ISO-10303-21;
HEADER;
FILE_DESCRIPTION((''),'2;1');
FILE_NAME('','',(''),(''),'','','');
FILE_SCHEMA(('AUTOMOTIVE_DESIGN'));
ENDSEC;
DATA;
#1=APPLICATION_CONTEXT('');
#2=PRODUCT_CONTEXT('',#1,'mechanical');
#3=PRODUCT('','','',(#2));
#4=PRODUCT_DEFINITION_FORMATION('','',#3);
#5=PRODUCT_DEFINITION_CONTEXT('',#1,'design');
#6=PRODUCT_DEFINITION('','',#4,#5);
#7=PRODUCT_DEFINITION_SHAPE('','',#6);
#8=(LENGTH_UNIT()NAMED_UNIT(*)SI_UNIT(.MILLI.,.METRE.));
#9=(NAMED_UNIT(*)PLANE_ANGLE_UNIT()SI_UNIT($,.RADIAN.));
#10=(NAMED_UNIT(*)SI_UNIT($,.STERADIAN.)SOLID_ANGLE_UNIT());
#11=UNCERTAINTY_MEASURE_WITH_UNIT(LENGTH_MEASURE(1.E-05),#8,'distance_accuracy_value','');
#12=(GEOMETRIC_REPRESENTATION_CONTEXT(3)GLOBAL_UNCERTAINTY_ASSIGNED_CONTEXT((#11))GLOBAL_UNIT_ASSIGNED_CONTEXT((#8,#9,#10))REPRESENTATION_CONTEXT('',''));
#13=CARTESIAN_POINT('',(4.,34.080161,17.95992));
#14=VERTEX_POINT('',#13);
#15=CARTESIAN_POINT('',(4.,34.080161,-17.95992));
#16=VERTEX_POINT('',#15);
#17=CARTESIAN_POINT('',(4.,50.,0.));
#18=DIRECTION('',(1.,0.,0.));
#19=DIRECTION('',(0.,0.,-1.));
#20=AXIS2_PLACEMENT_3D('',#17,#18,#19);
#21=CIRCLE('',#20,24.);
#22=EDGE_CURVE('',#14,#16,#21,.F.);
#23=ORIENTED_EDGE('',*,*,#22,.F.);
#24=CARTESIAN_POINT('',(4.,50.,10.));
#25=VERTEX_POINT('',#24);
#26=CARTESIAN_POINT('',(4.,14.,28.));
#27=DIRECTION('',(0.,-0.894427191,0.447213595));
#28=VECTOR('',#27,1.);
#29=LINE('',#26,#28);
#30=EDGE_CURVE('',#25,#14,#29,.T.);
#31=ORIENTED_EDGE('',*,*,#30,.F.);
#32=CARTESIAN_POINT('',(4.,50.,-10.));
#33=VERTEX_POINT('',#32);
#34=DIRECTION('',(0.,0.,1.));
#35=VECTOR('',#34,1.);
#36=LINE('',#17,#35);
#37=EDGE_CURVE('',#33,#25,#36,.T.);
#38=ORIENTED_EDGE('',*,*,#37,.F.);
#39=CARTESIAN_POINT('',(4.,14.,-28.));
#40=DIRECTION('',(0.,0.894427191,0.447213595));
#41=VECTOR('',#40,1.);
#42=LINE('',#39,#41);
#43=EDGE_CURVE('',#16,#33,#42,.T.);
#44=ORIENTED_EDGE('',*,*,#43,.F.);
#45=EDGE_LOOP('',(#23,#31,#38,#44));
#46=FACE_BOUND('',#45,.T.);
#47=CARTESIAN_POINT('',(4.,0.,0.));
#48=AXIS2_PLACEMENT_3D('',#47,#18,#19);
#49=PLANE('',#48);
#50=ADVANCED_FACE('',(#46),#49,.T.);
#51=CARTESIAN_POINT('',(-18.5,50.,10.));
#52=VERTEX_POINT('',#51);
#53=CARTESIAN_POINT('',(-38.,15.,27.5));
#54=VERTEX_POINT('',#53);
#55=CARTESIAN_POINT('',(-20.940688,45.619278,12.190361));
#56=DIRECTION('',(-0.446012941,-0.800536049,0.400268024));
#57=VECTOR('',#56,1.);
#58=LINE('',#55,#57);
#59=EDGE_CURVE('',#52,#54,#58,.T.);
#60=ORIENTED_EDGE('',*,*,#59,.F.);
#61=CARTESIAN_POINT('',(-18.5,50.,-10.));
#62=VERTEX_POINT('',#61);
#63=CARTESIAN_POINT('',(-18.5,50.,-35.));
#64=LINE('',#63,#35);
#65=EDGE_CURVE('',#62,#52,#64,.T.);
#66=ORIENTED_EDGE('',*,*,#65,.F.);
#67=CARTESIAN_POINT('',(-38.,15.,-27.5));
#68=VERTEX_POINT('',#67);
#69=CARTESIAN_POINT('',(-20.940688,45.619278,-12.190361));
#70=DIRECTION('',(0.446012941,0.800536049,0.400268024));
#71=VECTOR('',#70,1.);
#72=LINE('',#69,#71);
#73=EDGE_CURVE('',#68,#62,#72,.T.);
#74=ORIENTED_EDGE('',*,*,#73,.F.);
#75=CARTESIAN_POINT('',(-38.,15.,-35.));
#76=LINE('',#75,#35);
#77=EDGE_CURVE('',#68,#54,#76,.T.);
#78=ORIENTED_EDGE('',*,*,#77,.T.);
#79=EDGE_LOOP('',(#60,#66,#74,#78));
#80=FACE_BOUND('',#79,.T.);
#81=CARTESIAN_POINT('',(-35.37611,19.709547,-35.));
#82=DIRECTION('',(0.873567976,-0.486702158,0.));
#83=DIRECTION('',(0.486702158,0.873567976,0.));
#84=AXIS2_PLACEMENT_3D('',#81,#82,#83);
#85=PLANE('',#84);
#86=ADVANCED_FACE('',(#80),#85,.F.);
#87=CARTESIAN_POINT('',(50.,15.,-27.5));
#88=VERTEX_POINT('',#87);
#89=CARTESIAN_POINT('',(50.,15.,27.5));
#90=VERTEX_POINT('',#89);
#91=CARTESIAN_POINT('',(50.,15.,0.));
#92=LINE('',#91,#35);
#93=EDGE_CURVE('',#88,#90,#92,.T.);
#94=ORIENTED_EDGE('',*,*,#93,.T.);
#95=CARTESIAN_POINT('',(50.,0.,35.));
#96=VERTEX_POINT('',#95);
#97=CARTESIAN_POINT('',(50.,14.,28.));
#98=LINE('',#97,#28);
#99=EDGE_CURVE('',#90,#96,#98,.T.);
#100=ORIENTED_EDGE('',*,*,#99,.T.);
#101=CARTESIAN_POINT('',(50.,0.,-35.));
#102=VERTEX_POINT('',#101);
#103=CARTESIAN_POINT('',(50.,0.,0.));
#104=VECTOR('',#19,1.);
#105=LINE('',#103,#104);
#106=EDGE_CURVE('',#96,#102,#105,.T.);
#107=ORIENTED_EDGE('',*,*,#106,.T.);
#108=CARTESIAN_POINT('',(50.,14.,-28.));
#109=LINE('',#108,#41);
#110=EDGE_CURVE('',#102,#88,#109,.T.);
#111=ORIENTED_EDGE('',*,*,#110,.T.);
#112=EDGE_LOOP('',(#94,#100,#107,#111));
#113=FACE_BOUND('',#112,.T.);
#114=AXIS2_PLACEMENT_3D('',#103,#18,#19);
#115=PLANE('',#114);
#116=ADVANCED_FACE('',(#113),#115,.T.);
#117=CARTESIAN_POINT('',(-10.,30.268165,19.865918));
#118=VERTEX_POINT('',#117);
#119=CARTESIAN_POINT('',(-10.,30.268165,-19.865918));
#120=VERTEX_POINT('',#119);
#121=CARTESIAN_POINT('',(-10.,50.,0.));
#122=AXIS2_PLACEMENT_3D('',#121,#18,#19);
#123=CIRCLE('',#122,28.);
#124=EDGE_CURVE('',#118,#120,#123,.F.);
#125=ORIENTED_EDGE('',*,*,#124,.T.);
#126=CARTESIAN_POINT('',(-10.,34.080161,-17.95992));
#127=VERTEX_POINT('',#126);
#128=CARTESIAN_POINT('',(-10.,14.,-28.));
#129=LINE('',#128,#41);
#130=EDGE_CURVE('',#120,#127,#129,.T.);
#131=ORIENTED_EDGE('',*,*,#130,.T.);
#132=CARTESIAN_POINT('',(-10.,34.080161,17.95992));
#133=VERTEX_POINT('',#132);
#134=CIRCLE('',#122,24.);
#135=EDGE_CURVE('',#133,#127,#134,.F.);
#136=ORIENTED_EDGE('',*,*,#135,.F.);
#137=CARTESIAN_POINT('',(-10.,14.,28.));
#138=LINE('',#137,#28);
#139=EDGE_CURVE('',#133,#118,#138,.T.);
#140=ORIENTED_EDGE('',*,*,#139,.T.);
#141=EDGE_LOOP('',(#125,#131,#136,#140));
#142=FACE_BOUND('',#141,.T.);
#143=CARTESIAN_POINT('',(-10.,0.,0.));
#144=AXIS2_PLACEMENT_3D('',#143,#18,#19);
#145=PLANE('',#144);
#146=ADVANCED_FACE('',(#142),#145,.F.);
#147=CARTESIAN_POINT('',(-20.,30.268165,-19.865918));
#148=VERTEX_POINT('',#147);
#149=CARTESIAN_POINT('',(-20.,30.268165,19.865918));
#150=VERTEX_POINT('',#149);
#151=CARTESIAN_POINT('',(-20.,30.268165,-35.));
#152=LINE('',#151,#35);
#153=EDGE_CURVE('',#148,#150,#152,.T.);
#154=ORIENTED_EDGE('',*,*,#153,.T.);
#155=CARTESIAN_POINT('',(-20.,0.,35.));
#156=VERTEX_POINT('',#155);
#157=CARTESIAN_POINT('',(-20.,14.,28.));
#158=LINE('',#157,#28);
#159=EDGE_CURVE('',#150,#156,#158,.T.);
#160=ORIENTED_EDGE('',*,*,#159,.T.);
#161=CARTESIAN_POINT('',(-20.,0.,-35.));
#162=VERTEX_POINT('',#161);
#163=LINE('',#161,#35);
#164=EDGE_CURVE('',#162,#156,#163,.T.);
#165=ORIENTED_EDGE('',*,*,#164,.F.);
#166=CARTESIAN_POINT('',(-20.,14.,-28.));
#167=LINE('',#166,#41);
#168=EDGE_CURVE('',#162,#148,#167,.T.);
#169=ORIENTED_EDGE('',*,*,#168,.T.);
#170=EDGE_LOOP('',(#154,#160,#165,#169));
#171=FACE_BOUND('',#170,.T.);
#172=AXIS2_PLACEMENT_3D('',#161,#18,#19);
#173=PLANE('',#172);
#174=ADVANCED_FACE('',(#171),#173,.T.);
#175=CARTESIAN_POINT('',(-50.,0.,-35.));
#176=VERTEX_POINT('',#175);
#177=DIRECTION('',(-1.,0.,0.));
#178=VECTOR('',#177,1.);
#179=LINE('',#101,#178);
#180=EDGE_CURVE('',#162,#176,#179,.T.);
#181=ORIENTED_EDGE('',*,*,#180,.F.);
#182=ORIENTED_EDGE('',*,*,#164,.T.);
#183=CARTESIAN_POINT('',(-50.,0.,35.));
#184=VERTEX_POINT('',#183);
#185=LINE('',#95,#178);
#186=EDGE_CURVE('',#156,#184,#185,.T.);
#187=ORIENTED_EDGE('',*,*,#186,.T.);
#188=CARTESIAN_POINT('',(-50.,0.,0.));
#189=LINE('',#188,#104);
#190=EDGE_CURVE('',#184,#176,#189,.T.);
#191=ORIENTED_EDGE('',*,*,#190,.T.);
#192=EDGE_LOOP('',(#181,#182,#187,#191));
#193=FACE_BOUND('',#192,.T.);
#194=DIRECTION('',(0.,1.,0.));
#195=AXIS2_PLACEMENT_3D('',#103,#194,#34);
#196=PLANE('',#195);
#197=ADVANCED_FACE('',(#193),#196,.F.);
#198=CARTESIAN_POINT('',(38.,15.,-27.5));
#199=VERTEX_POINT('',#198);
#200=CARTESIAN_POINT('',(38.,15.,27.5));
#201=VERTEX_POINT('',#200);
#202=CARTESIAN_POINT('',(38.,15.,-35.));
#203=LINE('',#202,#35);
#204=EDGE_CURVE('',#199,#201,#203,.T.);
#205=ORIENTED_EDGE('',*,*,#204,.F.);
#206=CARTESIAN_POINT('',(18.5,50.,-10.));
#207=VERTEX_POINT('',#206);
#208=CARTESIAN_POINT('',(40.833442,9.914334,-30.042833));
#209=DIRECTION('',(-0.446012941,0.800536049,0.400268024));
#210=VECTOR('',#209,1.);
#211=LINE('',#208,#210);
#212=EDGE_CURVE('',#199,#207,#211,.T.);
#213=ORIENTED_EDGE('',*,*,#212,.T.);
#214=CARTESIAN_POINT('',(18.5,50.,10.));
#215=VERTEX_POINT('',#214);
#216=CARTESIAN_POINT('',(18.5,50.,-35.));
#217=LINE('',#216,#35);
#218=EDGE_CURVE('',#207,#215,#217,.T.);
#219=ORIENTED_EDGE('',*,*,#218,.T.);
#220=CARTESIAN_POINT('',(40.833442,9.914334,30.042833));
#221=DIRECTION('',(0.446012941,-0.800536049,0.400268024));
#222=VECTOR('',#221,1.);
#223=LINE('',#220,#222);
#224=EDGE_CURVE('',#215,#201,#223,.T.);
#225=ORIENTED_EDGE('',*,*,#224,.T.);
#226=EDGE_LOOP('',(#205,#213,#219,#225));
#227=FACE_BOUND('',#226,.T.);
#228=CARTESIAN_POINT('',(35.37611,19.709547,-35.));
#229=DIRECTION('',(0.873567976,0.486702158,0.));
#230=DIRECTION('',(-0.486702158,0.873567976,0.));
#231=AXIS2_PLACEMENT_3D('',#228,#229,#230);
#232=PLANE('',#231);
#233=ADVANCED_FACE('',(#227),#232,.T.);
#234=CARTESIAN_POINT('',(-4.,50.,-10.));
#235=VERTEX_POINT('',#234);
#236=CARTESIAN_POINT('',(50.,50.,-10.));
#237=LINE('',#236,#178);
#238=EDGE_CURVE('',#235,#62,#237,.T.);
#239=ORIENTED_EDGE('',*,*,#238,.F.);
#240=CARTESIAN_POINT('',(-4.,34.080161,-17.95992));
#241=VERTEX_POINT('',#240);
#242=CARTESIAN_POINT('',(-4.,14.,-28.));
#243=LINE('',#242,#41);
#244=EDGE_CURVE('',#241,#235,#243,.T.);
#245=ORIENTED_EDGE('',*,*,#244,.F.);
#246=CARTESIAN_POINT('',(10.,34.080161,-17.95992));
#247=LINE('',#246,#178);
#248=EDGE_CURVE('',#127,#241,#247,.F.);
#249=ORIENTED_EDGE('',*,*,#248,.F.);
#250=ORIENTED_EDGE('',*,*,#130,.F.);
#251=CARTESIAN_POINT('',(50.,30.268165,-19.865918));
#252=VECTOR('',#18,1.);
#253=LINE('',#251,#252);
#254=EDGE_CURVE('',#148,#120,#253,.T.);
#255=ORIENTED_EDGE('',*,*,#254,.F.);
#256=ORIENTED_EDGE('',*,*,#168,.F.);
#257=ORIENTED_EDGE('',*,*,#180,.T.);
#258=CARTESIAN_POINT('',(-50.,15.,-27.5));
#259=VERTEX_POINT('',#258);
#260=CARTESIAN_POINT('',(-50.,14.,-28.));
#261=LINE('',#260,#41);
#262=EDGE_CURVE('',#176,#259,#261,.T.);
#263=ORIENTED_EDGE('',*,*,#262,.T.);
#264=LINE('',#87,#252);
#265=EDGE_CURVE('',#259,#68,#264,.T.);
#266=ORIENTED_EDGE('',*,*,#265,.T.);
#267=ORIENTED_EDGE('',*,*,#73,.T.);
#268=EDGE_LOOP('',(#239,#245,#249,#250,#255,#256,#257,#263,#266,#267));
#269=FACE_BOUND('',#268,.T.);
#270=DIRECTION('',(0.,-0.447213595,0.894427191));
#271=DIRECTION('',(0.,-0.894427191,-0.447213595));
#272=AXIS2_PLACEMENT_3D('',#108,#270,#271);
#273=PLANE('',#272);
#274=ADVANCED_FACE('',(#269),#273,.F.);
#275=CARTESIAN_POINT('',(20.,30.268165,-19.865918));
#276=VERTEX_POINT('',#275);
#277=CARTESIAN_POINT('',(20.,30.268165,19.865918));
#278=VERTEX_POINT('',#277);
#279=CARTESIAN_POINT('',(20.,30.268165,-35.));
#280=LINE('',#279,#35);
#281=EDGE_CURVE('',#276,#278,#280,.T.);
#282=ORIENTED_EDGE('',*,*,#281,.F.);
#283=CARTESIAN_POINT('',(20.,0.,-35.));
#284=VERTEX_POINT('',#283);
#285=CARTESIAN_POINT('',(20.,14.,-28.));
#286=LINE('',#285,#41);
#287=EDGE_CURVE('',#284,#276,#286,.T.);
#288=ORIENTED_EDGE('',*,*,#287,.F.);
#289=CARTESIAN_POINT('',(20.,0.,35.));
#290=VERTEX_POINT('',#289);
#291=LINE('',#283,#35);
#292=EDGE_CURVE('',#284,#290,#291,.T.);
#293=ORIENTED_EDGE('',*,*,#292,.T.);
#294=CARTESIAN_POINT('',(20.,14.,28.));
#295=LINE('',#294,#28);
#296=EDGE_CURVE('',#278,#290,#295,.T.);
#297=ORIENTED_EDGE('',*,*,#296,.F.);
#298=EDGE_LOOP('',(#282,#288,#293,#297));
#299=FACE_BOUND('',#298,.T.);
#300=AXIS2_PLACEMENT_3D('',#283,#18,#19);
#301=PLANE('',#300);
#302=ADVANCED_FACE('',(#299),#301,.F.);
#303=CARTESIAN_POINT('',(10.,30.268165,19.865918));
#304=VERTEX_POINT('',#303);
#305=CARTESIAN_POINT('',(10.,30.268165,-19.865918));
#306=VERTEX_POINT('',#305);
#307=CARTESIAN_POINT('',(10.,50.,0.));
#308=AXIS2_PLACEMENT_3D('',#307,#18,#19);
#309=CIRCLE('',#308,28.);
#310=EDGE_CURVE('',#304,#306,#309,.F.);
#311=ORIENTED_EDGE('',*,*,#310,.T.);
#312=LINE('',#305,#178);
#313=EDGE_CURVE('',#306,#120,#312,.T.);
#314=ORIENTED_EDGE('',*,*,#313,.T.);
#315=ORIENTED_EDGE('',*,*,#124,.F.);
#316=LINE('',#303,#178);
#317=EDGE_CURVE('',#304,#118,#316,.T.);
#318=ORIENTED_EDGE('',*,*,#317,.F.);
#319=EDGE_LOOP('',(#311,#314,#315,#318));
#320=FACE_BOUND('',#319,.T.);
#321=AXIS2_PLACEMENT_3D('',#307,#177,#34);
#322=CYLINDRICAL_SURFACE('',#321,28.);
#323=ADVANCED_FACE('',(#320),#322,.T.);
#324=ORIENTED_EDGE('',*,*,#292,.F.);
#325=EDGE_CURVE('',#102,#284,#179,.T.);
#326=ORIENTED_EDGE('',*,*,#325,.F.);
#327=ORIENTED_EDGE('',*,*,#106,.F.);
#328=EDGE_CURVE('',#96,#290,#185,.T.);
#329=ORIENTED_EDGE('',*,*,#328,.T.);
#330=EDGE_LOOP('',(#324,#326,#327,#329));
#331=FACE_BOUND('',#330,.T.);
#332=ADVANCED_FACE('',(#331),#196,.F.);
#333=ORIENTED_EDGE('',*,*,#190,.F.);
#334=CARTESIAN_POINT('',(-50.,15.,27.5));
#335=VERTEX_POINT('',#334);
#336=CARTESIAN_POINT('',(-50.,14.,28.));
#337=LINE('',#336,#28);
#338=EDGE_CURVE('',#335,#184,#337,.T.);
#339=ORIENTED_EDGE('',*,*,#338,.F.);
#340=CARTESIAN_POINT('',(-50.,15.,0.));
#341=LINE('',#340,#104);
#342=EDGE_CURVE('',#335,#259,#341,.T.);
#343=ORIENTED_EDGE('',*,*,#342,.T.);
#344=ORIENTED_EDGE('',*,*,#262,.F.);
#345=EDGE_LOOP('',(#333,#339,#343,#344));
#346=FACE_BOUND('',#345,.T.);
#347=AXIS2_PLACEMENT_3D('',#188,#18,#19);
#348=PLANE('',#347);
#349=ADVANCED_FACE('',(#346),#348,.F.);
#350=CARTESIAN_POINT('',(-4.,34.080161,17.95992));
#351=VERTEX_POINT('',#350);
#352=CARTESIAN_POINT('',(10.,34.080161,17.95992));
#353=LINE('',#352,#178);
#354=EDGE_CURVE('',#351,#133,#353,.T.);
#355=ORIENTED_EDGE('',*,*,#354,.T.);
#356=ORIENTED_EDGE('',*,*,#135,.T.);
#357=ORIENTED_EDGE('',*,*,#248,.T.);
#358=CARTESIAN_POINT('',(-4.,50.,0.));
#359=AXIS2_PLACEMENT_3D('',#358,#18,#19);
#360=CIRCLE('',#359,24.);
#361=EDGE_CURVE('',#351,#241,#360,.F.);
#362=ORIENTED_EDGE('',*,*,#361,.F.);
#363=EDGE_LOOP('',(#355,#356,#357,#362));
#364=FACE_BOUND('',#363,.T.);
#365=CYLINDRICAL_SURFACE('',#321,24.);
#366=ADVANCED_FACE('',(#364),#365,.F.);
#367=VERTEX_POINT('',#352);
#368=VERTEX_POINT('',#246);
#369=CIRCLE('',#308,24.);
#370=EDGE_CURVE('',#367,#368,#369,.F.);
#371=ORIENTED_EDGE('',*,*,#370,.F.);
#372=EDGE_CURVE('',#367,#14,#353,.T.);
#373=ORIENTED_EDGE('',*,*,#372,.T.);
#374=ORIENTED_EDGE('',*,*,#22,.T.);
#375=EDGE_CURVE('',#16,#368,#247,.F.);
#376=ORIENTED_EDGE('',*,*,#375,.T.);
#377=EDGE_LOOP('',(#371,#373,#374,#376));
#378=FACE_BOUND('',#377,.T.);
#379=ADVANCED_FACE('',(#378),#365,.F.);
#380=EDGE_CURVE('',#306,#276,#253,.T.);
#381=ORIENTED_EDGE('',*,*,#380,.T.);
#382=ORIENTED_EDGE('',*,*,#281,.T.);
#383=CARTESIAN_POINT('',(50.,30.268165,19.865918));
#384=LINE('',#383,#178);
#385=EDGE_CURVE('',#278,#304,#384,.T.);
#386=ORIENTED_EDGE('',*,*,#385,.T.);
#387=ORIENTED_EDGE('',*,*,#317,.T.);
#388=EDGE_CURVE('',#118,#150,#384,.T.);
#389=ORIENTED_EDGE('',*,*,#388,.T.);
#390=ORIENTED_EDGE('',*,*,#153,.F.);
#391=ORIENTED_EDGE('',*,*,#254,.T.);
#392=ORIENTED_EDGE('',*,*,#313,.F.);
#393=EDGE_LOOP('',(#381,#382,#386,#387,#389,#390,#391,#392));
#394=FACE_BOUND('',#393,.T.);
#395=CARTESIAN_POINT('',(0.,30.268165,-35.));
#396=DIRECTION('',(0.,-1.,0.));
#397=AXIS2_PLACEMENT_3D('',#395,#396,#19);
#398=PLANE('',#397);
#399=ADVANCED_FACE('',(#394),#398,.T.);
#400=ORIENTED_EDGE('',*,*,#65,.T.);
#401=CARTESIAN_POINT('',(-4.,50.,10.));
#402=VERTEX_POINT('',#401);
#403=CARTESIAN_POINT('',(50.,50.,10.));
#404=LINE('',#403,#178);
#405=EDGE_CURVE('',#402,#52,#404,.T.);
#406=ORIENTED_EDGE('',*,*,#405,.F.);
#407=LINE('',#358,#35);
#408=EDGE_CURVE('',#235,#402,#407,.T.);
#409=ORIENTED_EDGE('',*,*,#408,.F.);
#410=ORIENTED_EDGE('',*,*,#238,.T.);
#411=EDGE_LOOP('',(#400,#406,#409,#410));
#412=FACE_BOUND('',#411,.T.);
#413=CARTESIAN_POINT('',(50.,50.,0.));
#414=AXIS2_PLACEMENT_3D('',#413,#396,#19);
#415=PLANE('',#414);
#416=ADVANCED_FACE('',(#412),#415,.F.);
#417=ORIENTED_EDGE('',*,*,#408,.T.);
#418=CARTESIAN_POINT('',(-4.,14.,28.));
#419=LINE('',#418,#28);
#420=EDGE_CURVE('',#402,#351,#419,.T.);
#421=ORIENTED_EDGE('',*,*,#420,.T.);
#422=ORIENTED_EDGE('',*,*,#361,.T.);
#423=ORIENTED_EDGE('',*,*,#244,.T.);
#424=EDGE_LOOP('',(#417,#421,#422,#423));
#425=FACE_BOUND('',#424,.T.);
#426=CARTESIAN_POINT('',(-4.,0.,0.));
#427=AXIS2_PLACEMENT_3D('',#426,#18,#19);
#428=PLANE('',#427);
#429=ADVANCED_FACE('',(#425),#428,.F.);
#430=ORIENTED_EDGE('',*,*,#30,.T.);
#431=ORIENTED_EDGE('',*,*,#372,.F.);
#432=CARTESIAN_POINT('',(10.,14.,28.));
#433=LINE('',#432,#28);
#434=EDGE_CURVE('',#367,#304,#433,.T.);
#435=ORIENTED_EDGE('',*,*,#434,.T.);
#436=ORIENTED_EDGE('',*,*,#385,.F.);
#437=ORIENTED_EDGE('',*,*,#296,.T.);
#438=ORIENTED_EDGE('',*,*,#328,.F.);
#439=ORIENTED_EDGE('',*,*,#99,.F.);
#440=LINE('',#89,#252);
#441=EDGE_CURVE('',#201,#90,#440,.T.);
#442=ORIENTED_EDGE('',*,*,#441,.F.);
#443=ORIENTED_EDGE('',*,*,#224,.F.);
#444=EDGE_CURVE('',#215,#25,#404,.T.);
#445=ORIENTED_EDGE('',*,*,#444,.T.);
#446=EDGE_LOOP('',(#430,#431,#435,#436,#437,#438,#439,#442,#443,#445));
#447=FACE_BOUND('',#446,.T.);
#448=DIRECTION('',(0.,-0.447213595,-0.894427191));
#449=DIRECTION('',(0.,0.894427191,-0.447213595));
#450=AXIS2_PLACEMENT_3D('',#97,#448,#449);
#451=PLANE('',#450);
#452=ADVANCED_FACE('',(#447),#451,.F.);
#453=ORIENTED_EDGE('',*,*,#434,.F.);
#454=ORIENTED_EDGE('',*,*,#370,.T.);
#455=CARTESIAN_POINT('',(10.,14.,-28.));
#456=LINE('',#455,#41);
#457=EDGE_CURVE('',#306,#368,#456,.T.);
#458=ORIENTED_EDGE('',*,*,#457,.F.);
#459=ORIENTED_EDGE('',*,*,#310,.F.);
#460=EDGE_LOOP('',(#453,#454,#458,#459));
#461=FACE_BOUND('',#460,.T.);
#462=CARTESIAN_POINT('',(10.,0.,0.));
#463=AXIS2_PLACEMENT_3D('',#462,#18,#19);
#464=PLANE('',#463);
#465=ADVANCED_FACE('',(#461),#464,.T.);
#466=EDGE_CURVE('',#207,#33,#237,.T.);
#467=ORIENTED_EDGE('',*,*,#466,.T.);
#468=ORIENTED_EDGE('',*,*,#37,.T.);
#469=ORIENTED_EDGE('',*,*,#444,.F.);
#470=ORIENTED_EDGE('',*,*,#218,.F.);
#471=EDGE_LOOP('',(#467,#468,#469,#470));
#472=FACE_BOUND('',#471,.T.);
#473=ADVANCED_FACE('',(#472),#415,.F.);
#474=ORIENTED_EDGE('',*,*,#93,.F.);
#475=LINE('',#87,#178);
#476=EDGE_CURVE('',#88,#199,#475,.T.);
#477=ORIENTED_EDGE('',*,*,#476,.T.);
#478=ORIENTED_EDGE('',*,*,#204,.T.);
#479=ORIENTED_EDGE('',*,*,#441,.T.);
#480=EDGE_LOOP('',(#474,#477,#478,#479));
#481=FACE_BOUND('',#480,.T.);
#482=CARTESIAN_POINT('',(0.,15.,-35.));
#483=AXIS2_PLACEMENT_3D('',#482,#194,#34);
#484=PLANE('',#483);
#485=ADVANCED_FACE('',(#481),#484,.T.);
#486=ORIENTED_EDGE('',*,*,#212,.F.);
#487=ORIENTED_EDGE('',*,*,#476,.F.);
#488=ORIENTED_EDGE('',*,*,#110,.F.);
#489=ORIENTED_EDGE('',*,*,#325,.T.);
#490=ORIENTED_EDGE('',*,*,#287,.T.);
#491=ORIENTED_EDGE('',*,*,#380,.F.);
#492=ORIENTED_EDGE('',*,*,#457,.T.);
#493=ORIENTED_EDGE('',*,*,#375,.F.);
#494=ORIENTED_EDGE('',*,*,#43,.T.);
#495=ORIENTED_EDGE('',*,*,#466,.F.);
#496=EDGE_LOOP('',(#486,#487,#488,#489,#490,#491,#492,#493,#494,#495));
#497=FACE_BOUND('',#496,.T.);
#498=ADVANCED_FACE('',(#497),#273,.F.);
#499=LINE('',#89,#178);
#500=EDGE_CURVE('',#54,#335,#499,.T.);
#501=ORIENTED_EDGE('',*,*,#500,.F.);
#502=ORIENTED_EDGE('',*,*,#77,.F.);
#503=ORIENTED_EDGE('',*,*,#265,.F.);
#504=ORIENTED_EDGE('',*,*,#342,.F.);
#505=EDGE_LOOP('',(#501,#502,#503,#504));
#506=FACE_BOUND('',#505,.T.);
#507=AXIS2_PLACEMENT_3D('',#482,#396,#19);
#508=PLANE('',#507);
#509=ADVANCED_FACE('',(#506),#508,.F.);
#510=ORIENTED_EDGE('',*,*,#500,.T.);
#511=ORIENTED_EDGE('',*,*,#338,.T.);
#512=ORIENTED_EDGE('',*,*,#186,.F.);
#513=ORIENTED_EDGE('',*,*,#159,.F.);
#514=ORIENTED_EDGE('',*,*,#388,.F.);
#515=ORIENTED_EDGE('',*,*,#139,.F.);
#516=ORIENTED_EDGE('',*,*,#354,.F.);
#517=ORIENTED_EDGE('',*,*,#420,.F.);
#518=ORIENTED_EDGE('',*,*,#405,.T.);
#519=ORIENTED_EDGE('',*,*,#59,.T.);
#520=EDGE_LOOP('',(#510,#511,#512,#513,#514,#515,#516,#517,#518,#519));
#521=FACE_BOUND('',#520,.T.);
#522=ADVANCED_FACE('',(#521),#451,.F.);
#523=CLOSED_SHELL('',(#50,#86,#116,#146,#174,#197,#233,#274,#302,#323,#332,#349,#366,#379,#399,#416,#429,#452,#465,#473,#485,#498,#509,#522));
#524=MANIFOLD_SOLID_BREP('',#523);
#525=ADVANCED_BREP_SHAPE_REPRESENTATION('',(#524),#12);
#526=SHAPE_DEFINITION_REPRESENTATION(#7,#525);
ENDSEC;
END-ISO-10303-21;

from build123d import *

# Parameters (mm, degrees)
BOSS_EXTRUDE1_DEPTH     = 50
BOSS_EXTRUDE2_DEPTH     = 10
BOSS_EXTRUDE3_DEPTH     = 4
SKETCH3_W               = 40
SKETCH3_H               = 30.268164841
CUT_EXTRUDE1_DEPTH      = 36
CUT_EXTRUDE1_DEPTH_BACK = 36


with BuildPart() as part:
    # Sketch2 → Boss-Extrude1 (new body, symmetric)
    with BuildSketch(Plane(origin=(0, 0, 0), x_dir=(0, 0, -1), z_dir=(1, 0, 0))):
        Polygon((-35, 0), (35, 0), (10, 50), (-10, 50), align=None)
    extrude(amount=BOSS_EXTRUDE1_DEPTH, both=True)

    # Sketch2<5> → Boss-Extrude2 (add, symmetric)
    with BuildSketch(Plane(origin=(0, 0, 0), x_dir=(0, 0, -1), z_dir=(1, 0, 0))):
        with BuildLine():
            ThreePointArc((19.865917579, 30.268164841), (0, 78), (-19.865917579, 30.268164841))
            Line((-19.865917579, 30.268164841), (-17.959919678, 34.080160643))
            ThreePointArc((-17.959919678, 34.080160643), (0, 74), (17.959919678, 34.080160643))
            Line((17.959919678, 34.080160643), (19.865917579, 30.268164841))
        make_face()
    extrude(amount=BOSS_EXTRUDE2_DEPTH, both=True)

    # Sketch2<6> → Boss-Extrude3 (add, symmetric)
    with BuildSketch(Plane(origin=(0, 0, 0), x_dir=(0, 0, -1), z_dir=(1, 0, 0))):
        Polygon((-35, 0), (35, 0), (10, 50), (-10, 50), align=None)
        with BuildLine():
            Line((-19.865917579, 30.268164841), (19.865917579, 30.268164841))
            ThreePointArc((19.865917579, 30.268164841), (0, 78), (-19.865917579, 30.268164841))
        make_face()
    extrude(amount=BOSS_EXTRUDE3_DEPTH, both=True)

    # Sketch3 → Cut-Extrude1 (cut, two sides)
    with BuildSketch(Plane.XY) as cut_extrude1_sk:
        Polygon((38, 15), (50, 15), (50, 50), (18.5, 50), align=None)
        with Locations((0, 15.134082421)):
            Rectangle(SKETCH3_W, SKETCH3_H)
        Polygon((-38, 15), (-18.5, 50), (-50, 50), (-50, 15), align=None)
    extrude(amount=CUT_EXTRUDE1_DEPTH, mode=Mode.SUBTRACT)
    extrude(cut_extrude1_sk.sketch, amount=-CUT_EXTRUDE1_DEPTH_BACK, mode=Mode.SUBTRACT)


solid = part.part
